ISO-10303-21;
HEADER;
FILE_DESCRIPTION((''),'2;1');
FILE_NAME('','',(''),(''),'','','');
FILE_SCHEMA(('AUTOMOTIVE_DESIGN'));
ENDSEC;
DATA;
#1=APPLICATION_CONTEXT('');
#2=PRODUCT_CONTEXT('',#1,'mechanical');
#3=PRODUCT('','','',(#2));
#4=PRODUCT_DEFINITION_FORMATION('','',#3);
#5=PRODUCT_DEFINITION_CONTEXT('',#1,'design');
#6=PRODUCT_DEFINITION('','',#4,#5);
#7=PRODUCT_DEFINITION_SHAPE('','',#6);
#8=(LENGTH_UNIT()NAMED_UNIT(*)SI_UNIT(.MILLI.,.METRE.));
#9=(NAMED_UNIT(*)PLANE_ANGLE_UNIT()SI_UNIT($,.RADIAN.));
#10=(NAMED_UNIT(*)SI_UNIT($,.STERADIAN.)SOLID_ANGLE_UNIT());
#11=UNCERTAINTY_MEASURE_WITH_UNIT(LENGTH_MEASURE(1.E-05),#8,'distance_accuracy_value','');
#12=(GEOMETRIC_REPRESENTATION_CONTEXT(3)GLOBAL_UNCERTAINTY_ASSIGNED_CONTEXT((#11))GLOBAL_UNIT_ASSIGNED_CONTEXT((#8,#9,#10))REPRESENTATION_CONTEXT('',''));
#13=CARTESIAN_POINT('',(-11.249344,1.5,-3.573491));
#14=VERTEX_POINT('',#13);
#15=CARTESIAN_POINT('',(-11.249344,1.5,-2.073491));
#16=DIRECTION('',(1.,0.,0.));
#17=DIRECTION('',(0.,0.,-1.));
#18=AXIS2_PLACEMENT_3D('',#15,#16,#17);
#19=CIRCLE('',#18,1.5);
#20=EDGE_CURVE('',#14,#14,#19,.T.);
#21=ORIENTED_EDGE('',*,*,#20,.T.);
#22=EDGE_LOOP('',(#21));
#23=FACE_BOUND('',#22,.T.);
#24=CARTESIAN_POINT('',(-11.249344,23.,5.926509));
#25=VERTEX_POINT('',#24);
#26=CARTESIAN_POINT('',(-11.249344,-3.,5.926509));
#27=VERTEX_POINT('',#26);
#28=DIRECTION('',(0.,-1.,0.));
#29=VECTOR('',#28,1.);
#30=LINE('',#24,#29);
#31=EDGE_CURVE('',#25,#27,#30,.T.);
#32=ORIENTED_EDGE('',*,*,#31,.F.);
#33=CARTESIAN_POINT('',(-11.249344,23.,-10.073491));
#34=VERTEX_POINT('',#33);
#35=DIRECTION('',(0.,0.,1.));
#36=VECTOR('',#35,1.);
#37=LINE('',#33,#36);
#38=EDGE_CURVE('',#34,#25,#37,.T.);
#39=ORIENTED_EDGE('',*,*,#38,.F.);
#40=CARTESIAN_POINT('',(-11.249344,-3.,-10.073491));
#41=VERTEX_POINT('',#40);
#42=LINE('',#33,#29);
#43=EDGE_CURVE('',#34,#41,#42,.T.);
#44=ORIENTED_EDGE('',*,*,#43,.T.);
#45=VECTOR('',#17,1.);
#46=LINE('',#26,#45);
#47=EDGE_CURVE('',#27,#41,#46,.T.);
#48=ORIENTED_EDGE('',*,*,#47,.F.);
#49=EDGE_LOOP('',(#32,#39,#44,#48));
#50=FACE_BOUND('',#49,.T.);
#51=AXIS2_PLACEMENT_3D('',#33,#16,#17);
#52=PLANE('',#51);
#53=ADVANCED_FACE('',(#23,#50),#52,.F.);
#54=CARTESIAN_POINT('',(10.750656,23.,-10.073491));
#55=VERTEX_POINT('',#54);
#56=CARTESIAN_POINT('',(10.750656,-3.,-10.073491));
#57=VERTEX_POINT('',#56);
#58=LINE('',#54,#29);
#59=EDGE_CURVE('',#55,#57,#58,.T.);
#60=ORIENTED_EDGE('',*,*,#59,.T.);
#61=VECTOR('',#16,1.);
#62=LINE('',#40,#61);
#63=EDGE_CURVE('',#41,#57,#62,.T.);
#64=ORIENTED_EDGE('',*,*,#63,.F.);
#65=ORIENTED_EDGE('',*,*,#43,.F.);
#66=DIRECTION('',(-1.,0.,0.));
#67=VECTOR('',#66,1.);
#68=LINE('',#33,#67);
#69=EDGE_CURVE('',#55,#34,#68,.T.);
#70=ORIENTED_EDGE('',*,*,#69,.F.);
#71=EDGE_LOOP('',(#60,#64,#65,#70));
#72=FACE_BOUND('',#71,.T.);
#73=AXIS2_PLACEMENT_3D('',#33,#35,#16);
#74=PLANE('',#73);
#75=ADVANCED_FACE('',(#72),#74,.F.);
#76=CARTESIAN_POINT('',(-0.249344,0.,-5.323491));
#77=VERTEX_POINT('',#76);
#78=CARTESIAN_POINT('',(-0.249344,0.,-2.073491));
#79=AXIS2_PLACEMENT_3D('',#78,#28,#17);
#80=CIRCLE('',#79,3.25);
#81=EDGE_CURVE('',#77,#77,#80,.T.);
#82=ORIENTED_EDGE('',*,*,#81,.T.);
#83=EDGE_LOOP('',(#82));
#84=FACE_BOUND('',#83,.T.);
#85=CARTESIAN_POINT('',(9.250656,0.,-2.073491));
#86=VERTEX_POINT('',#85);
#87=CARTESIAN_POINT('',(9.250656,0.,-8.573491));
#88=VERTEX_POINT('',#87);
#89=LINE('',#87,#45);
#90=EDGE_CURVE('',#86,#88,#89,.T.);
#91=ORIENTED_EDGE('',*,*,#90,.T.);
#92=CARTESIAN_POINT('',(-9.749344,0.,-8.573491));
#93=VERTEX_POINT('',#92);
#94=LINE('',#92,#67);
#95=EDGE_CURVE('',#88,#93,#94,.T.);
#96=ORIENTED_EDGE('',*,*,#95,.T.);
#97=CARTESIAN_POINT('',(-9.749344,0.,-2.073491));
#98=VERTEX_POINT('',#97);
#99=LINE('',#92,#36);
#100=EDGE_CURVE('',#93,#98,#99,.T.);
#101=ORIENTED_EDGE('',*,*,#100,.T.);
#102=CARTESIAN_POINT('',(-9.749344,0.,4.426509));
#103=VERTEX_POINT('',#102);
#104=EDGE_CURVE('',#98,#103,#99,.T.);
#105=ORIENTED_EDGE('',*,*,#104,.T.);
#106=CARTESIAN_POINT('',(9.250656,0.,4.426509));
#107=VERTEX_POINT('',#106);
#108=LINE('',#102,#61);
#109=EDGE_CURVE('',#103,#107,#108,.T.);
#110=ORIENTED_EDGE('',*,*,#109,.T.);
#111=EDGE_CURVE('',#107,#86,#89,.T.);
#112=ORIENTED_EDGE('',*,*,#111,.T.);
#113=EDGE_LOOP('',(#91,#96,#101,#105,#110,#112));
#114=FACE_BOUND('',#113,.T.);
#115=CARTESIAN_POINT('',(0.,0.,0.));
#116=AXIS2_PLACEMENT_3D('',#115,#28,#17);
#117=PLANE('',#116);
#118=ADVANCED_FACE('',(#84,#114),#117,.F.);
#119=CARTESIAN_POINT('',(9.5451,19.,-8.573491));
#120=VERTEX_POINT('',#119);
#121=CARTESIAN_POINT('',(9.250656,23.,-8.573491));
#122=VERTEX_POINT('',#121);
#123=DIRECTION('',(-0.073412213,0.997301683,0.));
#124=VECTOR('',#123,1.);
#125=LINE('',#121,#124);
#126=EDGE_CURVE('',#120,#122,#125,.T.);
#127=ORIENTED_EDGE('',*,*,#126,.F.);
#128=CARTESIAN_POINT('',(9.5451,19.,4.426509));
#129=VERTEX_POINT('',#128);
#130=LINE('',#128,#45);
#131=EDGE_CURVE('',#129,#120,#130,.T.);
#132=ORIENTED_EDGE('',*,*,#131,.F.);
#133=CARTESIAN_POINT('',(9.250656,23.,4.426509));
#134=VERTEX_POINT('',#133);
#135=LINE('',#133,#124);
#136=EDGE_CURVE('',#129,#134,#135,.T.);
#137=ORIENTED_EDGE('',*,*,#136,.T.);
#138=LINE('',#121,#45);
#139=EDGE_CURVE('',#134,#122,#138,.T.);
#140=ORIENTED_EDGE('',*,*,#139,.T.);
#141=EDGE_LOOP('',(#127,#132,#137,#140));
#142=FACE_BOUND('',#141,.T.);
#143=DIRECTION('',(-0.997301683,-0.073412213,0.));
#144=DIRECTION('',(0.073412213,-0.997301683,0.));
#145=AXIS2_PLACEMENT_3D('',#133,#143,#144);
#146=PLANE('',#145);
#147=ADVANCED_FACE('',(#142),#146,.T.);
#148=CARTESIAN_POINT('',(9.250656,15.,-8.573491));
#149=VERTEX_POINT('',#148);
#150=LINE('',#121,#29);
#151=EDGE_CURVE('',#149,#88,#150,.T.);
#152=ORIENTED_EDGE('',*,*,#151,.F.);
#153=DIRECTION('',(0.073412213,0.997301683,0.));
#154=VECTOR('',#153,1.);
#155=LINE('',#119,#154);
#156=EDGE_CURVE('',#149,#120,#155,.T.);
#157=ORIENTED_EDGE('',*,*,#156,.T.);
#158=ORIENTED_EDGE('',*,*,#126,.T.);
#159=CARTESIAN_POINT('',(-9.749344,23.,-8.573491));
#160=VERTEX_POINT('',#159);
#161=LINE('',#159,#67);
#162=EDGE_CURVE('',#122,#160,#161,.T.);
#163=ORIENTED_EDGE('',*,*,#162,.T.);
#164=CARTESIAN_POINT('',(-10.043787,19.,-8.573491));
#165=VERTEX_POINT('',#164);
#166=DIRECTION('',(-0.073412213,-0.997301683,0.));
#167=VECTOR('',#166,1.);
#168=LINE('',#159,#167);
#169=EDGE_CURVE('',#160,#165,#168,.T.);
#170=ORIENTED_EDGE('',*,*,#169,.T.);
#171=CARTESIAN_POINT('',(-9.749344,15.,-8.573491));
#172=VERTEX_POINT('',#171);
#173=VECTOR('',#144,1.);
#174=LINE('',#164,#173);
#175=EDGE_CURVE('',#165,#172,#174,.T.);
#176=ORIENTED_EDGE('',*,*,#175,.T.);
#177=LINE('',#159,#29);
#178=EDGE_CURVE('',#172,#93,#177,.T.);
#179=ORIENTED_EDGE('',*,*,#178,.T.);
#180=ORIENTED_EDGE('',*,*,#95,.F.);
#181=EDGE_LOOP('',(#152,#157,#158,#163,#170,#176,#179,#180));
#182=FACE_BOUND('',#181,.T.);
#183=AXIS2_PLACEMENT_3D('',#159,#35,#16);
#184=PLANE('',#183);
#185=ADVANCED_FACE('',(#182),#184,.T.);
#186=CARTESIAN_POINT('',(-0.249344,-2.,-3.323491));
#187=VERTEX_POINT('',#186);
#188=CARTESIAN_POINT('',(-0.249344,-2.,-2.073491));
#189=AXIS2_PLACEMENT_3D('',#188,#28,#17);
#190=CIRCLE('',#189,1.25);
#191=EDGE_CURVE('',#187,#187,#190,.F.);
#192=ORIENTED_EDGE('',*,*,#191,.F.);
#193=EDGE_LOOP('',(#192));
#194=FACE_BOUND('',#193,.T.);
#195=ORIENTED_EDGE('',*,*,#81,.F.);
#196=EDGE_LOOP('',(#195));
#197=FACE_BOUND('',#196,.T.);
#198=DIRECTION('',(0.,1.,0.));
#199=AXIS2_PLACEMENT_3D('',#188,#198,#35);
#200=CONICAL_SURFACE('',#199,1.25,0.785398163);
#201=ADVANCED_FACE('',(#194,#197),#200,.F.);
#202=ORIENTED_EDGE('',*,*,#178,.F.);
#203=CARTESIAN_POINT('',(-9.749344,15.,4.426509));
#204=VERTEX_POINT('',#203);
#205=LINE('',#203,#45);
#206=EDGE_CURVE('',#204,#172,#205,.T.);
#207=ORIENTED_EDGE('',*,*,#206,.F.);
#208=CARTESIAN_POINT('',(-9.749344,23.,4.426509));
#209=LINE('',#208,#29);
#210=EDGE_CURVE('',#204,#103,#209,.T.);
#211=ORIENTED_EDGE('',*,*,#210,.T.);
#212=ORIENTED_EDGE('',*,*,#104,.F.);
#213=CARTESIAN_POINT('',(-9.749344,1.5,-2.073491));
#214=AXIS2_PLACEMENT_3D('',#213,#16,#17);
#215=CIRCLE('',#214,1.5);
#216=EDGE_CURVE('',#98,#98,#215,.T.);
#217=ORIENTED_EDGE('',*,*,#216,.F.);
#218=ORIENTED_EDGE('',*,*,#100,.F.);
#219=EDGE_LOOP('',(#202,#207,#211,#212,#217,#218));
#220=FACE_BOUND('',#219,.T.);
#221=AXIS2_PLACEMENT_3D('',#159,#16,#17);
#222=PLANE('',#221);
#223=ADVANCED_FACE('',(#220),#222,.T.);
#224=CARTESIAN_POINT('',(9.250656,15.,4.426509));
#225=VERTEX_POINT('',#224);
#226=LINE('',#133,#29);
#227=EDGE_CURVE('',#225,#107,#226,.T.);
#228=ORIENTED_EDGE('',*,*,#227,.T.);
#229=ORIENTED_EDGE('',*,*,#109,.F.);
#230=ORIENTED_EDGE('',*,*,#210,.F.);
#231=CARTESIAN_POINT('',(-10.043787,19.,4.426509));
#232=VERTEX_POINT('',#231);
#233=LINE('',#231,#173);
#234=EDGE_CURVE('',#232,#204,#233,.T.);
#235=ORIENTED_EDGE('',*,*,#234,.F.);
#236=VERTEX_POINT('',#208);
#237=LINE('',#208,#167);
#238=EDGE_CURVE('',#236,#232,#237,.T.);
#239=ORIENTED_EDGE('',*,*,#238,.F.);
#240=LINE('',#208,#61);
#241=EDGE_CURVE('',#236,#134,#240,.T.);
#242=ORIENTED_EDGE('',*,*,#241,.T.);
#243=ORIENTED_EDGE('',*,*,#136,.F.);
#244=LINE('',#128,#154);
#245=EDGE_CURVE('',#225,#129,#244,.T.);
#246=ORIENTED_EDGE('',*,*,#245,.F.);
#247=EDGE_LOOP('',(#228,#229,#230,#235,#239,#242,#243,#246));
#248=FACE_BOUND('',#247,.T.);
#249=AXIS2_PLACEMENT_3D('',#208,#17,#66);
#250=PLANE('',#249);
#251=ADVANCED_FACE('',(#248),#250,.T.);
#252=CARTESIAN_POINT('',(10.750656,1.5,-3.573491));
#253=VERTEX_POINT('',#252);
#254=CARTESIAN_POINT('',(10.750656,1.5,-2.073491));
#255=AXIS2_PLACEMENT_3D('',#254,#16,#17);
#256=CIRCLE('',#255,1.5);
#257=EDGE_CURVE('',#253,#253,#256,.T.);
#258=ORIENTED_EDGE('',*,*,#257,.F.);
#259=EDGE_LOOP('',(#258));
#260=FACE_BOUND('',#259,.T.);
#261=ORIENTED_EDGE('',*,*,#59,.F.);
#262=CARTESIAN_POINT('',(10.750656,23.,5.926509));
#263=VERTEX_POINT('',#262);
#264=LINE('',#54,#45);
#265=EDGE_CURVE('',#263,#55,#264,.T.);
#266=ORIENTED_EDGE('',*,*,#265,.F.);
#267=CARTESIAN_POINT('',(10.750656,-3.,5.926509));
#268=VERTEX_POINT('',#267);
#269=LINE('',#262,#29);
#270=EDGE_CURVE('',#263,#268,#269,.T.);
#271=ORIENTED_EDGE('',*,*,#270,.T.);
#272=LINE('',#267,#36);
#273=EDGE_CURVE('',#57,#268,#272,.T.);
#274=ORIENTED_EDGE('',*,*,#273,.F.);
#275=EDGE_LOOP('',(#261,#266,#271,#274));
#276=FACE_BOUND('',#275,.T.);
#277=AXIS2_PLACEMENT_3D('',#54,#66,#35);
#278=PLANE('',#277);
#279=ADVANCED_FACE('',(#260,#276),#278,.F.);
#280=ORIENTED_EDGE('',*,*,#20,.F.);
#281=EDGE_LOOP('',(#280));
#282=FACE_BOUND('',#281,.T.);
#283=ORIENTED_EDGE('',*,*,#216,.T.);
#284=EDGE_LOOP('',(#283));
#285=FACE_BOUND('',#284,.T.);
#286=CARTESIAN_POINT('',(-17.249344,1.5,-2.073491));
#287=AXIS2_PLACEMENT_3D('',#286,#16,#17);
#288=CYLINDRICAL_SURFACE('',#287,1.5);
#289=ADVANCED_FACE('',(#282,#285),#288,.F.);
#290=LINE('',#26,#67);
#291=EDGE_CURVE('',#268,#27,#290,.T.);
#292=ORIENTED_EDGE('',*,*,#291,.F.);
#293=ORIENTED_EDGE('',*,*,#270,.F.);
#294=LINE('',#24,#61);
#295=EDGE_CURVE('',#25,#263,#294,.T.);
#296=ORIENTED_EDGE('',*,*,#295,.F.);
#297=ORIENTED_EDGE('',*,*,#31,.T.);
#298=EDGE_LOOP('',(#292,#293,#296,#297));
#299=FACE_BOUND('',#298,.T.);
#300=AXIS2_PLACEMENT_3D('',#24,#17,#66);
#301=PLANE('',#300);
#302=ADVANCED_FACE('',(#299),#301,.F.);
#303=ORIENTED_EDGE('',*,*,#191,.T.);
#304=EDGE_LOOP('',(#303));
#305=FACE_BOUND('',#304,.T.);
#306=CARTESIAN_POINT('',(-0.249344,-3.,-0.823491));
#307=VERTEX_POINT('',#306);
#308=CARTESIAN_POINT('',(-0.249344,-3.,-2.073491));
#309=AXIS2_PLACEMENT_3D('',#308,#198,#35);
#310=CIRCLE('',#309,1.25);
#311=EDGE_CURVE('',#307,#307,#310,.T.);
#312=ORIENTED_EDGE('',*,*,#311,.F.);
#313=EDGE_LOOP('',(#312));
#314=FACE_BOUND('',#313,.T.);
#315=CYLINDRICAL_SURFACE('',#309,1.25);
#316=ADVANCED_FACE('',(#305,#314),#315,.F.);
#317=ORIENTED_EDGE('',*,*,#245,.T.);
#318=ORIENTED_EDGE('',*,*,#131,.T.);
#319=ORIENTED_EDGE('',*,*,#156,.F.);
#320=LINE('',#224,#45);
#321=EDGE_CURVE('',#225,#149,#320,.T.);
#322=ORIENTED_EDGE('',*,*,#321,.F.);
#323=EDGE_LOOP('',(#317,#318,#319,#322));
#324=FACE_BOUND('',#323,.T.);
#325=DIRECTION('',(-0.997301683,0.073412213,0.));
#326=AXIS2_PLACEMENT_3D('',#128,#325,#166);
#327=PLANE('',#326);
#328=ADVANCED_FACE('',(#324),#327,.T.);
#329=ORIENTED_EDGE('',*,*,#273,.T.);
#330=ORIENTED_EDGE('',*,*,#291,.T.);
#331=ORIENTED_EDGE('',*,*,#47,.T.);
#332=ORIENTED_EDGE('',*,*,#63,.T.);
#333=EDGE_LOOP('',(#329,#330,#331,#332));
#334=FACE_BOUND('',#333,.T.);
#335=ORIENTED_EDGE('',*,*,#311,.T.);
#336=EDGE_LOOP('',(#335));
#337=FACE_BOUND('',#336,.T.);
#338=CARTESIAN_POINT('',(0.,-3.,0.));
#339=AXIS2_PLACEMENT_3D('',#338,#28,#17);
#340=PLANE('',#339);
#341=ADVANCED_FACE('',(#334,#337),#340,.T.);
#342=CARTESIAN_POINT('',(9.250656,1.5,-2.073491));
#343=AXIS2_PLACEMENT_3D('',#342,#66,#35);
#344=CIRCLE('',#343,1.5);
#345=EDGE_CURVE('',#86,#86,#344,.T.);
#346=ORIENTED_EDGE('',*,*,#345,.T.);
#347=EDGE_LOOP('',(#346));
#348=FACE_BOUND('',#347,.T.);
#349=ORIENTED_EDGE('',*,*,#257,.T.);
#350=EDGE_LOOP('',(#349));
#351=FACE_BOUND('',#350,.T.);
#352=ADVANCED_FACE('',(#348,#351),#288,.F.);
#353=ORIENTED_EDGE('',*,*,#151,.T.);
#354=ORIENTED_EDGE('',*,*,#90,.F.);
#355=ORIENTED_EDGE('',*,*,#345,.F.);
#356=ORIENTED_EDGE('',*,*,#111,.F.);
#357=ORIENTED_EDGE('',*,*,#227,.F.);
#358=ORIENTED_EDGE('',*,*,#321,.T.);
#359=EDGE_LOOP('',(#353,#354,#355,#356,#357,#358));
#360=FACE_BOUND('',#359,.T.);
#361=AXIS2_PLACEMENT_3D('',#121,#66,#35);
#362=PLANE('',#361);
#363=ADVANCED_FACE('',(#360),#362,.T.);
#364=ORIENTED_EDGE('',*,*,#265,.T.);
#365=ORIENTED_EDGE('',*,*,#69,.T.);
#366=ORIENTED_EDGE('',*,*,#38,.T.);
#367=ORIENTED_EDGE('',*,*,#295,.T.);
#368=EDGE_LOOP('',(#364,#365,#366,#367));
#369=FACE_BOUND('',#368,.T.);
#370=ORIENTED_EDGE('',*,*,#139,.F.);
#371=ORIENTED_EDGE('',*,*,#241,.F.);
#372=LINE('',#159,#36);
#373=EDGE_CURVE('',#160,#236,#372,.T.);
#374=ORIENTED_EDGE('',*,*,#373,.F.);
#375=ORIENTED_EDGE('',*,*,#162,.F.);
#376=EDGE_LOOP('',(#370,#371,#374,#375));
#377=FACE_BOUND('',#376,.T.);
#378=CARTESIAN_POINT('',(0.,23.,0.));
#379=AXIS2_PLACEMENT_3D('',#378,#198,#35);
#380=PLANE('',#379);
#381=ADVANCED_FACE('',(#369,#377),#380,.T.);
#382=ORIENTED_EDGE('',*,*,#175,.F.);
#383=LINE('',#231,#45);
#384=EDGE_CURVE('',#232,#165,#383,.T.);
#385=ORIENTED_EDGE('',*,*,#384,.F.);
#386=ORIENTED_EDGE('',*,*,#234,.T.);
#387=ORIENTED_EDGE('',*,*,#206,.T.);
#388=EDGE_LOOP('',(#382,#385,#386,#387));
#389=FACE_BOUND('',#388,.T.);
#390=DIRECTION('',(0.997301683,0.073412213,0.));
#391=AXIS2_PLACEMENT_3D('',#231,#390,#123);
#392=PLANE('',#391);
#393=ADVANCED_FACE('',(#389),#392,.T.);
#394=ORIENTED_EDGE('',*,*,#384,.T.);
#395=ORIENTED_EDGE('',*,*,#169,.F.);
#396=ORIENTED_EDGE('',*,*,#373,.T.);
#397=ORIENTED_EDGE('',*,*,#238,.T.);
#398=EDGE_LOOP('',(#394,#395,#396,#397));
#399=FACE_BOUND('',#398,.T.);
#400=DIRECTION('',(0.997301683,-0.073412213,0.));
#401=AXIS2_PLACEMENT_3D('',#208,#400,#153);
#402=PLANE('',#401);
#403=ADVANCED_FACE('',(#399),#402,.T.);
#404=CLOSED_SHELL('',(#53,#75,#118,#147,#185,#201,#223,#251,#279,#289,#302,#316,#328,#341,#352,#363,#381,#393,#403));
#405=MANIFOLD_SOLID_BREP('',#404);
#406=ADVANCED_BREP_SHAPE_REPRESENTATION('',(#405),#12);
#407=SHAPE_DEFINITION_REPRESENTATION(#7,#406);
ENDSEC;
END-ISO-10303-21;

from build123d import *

# Parameters (mm, degrees)
SKETCH_1_W          = 22
SKETCH_1_H          = 16
SKETCH_1_W_2        = 19
SKETCH_1_H_2        = 13
EXTRUDE_1_DEPTH     = 23
SKETCH_2_W          = 22
SKETCH_2_H          = 16
EXTRUDE_2_DEPTH     = 3
SKETCH_3_R          = 1.25
CUT_EXTRUDE_1_DEPTH = 3
CHAMFER_1_SIZE      = 2
SKETCH_4_R          = 1.5
CUT_EXTRUDE_2_DEPTH = 28
CUT_EXTRUDE_3_DEPTH = 13


with BuildPart() as part:
    # Эскиз1 → Бобышка-Вытянуть1 (new body)
    with BuildSketch(Plane(origin=(0, 0, 0), x_dir=(1, 0, 0), z_dir=(0, 1, 0))):
        with Locations((-0.249343832, 2.073490814)):
            Rectangle(SKETCH_1_W, SKETCH_1_H)
        with Locations((-0.249343832, 2.073490814)):
            Rectangle(SKETCH_1_W_2, SKETCH_1_H_2, mode=Mode.SUBTRACT)
    extrude(amount=EXTRUDE_1_DEPTH)

    # Эскиз2 → Бобышка-Вытянуть2 (add)
    with BuildSketch(Plane.XZ):
        with Locations((-0.249343832, -2.073490814)):
            Rectangle(SKETCH_2_W, SKETCH_2_H)
    extrude(amount=EXTRUDE_2_DEPTH)

    # Эскиз3 → Вырез-Вытянуть1 (cut)
    with BuildSketch(Plane(origin=(0, 0, 0), x_dir=(1, 0, 0), z_dir=(0, 1, 0))):
        with Locations((-0.249343832, 2.073490814)):
            Circle(SKETCH_3_R)
    extrude(amount=-CUT_EXTRUDE_1_DEPTH, mode=Mode.SUBTRACT)

    # Фаска1
    chamfer_1_edges = [part.edges().sort_by_distance(p)[0] for p in [
        (-1.499343832, 0, -2.073490814),
    ]]
    chamfer(chamfer_1_edges, length=CHAMFER_1_SIZE)

    # Эскиз4 → Вырез-Вытянуть2 (cut)
    with BuildSketch(Plane(origin=(10.750656168, 0, 0), x_dir=(0, 0, -1), z_dir=(1, 0, 0))):
        with Locations((2.073490814, 1.5)):
            Circle(SKETCH_4_R)
    extrude(amount=-CUT_EXTRUDE_2_DEPTH, mode=Mode.SUBTRACT)

    # Эскиз5 → Вырез-Вытянуть3 (cut)
    with BuildSketch(Plane.XY.offset(-8.573490814)):
        Polygon((9.250656168, 23), (9.54509952, 19), (9.250656168, 15), align=None)
        Polygon((-10.043787184, 19), (-9.749343832, 15), (-9.749343832, 23), align=None)
    extrude(amount=CUT_EXTRUDE_3_DEPTH, mode=Mode.SUBTRACT)


solid = part.part
